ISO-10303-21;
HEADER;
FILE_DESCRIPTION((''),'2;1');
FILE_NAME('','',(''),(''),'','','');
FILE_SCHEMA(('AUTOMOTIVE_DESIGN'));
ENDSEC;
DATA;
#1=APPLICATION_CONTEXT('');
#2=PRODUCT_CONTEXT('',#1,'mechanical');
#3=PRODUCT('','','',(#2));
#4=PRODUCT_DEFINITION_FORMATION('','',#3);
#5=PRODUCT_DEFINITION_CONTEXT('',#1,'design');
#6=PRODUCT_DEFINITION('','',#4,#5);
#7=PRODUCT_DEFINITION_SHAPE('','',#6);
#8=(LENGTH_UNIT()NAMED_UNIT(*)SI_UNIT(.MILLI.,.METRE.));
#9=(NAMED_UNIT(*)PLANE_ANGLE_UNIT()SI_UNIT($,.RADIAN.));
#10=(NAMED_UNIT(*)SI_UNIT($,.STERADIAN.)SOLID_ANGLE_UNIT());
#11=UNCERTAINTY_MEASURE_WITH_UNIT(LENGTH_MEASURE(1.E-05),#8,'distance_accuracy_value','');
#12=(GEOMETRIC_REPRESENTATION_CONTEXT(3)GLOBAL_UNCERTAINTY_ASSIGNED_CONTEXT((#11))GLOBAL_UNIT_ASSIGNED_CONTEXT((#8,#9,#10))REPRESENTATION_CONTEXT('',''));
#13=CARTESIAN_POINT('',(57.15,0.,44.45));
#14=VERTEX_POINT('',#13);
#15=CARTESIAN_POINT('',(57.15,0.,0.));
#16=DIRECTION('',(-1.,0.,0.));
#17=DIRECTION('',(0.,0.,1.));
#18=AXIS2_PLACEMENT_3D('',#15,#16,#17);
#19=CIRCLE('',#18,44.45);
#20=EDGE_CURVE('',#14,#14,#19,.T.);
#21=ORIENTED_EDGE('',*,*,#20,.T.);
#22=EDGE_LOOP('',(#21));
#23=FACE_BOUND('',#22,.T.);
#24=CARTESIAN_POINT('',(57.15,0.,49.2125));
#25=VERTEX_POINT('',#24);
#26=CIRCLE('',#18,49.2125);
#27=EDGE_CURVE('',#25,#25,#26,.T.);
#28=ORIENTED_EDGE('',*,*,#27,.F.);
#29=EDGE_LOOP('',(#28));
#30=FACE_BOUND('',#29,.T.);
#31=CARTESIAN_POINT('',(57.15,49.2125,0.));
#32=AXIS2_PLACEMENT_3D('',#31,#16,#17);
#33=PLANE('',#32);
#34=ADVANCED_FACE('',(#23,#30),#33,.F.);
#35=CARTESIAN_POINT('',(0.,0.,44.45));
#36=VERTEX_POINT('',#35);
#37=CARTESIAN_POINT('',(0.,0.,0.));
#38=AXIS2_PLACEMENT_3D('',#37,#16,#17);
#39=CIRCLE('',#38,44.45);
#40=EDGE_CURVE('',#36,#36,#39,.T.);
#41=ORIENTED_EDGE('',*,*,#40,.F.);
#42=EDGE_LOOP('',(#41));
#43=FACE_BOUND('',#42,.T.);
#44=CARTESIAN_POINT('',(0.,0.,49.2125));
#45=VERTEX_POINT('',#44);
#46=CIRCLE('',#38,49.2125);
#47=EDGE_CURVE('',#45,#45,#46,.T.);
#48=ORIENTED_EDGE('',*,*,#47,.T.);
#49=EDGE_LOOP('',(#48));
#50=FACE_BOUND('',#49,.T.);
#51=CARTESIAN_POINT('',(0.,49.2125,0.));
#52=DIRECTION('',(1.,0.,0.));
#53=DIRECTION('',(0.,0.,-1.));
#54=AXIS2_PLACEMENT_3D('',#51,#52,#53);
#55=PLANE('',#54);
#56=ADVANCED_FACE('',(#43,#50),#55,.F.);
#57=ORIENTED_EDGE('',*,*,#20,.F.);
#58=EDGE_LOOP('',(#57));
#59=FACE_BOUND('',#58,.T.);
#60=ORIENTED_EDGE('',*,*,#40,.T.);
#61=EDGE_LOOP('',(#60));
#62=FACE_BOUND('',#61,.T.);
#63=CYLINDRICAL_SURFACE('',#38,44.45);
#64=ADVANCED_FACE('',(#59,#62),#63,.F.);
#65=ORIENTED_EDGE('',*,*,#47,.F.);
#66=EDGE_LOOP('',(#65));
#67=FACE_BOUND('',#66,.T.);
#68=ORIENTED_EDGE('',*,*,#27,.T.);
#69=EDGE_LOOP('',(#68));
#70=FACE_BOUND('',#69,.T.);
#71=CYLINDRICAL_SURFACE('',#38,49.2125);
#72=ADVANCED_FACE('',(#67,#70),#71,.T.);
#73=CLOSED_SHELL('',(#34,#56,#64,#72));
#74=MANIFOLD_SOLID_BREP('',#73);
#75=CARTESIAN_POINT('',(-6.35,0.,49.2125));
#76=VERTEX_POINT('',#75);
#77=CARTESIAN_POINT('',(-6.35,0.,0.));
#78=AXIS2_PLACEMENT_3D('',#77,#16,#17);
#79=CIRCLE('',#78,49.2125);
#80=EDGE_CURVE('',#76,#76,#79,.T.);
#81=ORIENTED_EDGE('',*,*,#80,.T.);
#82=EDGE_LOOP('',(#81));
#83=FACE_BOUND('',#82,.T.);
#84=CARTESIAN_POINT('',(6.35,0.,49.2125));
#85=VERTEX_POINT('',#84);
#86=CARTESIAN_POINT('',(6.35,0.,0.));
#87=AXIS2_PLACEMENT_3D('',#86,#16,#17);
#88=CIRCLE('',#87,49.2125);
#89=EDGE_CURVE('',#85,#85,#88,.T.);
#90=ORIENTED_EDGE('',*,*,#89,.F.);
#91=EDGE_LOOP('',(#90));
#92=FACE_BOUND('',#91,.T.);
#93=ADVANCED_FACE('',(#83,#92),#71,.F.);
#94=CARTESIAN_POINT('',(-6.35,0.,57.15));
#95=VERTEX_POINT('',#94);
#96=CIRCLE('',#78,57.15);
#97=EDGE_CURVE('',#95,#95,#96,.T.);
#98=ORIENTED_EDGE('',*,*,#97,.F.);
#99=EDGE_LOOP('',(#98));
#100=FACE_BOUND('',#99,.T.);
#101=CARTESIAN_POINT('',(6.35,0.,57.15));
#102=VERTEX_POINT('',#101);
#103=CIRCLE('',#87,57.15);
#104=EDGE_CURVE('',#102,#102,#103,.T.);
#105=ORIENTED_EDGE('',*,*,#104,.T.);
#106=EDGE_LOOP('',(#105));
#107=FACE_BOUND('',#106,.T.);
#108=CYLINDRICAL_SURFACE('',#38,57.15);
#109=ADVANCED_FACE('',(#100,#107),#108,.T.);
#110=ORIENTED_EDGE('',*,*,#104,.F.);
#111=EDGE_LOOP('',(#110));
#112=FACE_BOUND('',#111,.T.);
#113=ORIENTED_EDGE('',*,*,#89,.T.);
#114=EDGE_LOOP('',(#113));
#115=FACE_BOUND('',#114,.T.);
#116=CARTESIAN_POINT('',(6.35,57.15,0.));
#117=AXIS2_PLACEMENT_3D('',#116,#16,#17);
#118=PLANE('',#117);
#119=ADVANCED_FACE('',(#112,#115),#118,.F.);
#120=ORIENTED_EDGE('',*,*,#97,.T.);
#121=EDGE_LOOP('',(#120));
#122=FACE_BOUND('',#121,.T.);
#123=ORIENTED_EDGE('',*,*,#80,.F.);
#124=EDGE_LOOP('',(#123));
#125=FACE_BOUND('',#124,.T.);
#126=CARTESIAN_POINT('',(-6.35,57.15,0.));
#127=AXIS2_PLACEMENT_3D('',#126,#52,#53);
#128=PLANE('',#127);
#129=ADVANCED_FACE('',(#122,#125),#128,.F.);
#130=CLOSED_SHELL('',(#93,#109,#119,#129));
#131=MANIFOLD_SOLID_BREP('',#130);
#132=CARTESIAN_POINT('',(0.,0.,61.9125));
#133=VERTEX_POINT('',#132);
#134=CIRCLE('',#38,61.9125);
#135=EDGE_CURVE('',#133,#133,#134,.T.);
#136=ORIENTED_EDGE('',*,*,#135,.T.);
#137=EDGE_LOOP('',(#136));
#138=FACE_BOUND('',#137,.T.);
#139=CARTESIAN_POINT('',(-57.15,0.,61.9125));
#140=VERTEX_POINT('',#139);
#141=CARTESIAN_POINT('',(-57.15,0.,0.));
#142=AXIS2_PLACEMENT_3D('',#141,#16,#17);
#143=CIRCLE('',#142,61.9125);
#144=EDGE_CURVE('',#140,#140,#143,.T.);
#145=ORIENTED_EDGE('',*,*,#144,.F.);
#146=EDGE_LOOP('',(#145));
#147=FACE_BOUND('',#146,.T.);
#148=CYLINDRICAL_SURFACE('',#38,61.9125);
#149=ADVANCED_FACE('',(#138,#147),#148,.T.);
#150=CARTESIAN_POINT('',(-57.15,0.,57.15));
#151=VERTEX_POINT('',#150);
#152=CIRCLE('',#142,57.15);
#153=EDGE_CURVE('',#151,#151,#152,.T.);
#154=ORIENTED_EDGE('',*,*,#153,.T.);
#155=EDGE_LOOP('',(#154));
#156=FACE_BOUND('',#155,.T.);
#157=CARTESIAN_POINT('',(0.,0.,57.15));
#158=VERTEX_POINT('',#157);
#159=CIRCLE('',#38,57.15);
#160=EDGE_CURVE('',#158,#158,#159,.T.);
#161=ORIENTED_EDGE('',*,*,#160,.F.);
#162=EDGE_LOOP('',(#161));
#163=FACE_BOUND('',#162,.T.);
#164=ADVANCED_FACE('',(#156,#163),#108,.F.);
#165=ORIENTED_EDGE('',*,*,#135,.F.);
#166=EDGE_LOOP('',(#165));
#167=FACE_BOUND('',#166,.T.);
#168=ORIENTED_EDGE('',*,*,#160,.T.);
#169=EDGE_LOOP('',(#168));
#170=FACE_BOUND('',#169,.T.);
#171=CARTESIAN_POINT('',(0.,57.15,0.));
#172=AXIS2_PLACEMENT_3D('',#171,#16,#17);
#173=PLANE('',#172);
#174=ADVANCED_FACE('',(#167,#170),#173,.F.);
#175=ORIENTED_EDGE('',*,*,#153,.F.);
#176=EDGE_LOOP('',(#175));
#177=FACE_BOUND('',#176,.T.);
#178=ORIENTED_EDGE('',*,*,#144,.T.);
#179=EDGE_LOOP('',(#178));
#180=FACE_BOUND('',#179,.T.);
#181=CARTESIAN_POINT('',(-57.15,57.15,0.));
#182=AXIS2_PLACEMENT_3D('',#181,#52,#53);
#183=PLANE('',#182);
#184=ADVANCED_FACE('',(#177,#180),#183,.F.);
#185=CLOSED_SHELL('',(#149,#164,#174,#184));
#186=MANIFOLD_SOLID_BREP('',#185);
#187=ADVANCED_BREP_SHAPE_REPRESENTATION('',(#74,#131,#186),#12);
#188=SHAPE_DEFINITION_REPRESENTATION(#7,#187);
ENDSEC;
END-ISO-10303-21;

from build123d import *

# Parameters (mm, degrees)
SKETCH1_W = 12.7
SKETCH1_H = 7.9375
SKETCH2_W = 57.15
SKETCH2_H = 4.7625


with BuildPart() as part:
    # Sketch1 → Revolve1 (revolve)
    with BuildSketch(Plane.XY, mode=Mode.PRIVATE) as revolve1_sk:
        with Locations((0, 53.18125)):
            Rectangle(SKETCH1_W, SKETCH1_H)
    revolve(revolve1_sk.sketch.rotate(Axis((0, 0, 0), (1, 0, 0)), 90), axis=Axis((0, 0, 0), (1, 0, 0)))  # turned: the seam where the file's is


with BuildPart() as body_2:
    # Sketch2 → Revolve2 (revolve)
    with BuildSketch(Plane.XY, mode=Mode.PRIVATE) as revolve2_sk:
        with Locations((-28.575, 59.53125)):
            Rectangle(SKETCH2_W, SKETCH2_H)
        with Locations((28.575, 46.83125)):
            Rectangle(SKETCH2_W, SKETCH2_H)
    revolve(revolve2_sk.sketch.rotate(Axis((0, 0, 0), (1, 0, 0)), 90), axis=Axis((0, 0, 0), (1, 0, 0)))  # turned: the seam where the file's is


solid = Compound([part.part, body_2.part])
